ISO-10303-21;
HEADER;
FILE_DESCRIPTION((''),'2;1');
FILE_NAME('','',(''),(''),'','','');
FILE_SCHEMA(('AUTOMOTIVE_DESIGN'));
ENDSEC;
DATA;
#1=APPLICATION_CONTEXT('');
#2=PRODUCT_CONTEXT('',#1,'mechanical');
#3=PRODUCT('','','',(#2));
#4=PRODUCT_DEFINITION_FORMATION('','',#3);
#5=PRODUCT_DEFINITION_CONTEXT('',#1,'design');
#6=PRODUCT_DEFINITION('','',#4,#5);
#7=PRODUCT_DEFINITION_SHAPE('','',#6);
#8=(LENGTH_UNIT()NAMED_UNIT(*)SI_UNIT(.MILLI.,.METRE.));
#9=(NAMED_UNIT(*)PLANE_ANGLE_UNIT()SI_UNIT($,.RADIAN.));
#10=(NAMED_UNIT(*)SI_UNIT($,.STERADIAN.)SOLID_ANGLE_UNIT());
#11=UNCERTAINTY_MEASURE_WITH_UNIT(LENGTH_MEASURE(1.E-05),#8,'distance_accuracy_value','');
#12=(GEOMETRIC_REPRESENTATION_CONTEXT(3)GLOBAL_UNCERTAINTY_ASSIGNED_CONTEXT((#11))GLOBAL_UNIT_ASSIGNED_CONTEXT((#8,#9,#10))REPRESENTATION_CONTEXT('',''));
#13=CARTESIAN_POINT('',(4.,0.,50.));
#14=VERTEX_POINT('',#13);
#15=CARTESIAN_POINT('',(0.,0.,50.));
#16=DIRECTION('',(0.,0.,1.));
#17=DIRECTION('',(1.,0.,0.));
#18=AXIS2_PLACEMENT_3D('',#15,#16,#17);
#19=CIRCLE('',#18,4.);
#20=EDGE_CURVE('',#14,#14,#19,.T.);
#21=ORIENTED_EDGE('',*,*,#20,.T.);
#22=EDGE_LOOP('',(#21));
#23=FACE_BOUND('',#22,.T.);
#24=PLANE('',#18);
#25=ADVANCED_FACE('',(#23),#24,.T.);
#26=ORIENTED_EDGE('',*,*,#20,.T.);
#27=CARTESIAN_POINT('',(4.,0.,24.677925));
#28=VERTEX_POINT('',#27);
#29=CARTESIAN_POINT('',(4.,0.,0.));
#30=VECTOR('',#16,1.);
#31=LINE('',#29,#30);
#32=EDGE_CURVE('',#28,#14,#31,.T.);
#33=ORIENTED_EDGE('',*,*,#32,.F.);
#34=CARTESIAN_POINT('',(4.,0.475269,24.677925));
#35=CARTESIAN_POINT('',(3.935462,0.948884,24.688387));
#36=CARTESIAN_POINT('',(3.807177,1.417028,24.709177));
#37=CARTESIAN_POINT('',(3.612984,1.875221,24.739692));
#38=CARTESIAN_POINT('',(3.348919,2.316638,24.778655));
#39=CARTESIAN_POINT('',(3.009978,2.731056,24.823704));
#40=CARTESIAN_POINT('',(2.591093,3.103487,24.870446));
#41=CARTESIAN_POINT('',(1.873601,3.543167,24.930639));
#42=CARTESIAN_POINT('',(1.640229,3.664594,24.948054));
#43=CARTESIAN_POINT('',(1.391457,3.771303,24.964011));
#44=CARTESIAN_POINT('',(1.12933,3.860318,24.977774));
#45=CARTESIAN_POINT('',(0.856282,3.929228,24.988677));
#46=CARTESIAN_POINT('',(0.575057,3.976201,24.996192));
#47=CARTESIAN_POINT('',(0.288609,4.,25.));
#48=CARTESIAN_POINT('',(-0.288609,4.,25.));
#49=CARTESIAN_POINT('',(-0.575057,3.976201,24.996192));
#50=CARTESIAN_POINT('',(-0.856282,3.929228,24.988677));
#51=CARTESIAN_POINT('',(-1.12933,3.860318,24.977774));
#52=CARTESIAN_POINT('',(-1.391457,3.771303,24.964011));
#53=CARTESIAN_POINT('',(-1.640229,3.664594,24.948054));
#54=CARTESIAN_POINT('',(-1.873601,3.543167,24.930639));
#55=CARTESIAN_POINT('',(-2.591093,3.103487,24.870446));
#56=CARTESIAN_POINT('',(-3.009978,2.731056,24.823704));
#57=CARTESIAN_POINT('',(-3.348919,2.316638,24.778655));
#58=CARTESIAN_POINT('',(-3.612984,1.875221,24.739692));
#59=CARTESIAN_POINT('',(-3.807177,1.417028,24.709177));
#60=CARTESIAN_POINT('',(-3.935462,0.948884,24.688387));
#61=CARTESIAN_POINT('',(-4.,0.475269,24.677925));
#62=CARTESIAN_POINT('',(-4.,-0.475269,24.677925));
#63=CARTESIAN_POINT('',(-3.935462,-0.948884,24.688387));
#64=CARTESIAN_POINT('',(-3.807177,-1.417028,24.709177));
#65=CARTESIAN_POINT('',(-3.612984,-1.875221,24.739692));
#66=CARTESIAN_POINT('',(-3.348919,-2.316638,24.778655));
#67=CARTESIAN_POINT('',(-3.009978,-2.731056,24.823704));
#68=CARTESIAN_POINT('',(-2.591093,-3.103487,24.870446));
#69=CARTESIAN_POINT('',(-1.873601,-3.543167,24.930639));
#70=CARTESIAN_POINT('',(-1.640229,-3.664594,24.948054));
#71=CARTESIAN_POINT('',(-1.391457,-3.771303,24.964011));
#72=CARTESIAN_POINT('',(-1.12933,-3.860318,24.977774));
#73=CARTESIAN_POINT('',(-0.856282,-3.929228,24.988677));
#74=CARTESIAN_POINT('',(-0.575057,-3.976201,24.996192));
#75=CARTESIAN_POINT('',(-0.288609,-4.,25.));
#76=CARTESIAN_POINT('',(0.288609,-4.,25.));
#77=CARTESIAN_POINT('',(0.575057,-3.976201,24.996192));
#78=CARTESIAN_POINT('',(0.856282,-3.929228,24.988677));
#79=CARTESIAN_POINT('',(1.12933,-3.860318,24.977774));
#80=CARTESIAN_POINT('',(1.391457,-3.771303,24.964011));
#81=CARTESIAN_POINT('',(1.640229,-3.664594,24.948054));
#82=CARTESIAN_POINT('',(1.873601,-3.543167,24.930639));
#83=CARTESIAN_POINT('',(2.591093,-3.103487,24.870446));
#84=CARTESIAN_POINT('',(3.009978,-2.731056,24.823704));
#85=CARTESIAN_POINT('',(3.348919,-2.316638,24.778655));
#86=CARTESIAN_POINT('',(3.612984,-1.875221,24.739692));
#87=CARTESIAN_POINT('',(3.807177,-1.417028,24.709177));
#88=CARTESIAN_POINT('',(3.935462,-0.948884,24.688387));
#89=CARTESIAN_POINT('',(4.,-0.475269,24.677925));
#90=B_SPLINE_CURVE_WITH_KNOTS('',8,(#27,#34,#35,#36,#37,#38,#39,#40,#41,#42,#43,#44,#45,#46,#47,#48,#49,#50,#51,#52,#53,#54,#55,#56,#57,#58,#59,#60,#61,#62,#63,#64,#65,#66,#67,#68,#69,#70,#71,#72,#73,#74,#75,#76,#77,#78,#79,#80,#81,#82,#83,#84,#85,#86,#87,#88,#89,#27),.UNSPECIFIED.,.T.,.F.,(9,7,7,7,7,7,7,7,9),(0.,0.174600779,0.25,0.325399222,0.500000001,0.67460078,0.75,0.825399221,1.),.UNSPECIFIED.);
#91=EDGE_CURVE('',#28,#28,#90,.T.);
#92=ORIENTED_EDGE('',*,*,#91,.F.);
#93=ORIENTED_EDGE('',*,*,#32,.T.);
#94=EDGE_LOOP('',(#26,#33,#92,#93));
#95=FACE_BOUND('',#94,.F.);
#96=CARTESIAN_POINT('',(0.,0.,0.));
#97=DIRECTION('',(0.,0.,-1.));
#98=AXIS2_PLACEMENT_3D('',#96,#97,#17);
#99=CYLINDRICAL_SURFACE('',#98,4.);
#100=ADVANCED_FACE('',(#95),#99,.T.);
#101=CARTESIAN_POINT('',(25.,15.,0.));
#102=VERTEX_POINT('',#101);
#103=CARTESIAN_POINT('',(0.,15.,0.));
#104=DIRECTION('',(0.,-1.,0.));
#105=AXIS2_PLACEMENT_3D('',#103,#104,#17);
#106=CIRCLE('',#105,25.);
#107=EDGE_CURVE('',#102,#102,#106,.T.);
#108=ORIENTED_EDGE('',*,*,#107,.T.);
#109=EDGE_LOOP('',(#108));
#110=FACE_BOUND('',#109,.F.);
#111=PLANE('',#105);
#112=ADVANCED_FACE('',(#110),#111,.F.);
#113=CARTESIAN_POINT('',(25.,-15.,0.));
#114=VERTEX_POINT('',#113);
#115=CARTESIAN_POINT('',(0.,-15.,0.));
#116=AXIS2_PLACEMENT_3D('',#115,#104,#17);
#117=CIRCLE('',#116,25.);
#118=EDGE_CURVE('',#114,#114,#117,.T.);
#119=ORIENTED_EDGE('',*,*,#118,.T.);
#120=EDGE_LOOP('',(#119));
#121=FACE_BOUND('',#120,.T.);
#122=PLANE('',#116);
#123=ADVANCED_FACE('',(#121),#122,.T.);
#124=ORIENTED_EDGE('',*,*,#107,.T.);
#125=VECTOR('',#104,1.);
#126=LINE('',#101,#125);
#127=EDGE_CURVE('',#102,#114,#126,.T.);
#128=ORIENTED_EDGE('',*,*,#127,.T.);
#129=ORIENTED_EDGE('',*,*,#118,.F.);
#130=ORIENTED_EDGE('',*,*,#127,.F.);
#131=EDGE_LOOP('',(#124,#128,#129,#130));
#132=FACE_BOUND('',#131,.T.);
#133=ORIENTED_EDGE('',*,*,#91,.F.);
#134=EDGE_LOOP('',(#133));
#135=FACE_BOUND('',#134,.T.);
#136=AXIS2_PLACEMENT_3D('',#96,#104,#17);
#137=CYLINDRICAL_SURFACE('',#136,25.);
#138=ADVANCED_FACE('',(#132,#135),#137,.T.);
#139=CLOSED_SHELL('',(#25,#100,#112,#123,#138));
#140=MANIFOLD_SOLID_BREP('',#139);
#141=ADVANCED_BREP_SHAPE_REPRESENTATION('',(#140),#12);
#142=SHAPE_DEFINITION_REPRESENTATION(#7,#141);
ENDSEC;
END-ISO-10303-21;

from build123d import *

# Parameters (mm, degrees)
F0_R          = 25
F2_DEPTH      = 15
F2_DEPTH_BACK = 15
F1_R          = 4
F3_DEPTH      = 50


with BuildPart() as f2:
    # F0 (on Front) → F2 (new body, two sides)
    with BuildSketch(Plane.XZ) as f2_sk:
        Circle(F0_R)
    extrude(amount=F2_DEPTH)
    extrude(f2_sk.sketch, amount=-F2_DEPTH_BACK)

    # F1 (on Top) → F3 (join)
    with BuildSketch(Plane.XY):
        Circle(F1_R)
    extrude(amount=F3_DEPTH)


solid = f2.part
